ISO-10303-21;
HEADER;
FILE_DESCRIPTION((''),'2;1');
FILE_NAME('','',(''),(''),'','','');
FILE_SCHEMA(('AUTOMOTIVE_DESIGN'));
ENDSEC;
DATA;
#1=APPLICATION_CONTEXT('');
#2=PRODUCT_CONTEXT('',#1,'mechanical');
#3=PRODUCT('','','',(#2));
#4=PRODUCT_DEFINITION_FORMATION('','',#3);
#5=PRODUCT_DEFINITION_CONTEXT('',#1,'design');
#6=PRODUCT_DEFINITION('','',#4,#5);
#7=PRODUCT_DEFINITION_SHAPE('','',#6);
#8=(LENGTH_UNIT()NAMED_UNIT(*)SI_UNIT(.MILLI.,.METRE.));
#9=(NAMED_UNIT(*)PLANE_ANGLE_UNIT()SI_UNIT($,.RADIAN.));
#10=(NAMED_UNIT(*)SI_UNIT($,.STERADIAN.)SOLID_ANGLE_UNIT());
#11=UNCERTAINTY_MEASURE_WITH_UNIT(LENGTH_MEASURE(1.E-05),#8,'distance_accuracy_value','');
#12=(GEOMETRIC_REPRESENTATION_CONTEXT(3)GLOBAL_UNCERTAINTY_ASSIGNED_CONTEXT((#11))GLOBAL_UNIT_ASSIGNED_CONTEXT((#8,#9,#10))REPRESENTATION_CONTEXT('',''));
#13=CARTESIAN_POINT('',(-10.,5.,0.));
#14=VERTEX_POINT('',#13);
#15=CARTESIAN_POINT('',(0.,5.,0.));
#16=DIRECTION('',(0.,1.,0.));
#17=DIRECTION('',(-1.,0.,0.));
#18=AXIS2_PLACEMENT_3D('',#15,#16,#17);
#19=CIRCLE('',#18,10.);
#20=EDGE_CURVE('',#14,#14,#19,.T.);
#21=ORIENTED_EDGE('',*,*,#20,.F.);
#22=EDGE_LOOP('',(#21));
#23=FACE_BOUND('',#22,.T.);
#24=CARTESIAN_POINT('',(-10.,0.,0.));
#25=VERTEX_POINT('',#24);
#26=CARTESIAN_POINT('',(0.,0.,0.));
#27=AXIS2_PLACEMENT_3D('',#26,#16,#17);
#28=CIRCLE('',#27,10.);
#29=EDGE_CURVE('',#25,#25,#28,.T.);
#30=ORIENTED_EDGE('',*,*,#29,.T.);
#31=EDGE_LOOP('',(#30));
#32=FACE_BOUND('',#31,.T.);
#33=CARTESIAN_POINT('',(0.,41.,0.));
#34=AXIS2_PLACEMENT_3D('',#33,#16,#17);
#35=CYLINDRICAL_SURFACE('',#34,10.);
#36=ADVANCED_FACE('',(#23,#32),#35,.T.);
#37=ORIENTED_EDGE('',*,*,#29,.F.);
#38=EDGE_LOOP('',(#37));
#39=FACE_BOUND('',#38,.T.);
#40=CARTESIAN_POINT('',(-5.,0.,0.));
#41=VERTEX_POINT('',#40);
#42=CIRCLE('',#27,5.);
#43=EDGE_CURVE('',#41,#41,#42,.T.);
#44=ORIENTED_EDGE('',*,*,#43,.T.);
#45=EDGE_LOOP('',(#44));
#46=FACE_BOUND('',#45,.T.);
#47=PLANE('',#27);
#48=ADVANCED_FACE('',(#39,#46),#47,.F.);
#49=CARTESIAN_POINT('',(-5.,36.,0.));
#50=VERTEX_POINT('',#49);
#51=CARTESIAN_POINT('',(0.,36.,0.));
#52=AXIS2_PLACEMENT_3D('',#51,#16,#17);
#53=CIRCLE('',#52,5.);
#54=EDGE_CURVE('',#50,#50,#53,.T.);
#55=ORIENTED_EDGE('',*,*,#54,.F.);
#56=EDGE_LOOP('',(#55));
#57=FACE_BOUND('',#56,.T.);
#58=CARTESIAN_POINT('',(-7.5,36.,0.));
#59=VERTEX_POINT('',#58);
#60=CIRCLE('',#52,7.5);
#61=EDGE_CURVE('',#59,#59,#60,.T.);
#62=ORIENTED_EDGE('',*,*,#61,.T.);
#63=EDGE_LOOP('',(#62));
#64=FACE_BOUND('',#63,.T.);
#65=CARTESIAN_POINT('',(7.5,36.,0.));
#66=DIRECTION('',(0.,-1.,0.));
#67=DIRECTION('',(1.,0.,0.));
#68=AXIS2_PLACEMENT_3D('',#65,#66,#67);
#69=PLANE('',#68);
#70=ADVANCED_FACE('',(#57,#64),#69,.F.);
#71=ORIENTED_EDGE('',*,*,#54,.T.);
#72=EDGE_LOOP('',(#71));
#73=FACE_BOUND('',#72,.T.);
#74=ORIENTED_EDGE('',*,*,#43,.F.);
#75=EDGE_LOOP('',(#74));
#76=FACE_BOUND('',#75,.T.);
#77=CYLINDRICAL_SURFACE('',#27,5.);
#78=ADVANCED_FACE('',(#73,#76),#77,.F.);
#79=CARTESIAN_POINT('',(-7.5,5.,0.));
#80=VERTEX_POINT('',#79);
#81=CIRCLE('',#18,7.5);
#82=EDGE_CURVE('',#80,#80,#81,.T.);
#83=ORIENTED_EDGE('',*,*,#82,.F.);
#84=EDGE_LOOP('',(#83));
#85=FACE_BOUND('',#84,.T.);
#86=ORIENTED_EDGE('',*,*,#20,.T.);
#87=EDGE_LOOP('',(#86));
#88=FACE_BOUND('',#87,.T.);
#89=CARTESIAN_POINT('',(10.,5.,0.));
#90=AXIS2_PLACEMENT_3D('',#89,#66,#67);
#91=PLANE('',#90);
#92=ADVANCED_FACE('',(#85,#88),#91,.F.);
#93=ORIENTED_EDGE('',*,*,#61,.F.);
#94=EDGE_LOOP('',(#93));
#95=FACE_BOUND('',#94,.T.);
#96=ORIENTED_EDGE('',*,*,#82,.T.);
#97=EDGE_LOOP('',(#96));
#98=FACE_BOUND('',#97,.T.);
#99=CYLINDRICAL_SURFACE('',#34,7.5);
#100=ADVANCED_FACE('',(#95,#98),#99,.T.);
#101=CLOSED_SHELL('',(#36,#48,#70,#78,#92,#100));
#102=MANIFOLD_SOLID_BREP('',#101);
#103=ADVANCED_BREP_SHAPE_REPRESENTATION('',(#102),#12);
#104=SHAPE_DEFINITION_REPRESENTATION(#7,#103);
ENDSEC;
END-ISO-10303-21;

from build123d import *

# Parameters (mm, degrees)
SKETCH2_R          = 5
CUT_EXTRUDE1_DEPTH = 39.678159212


with BuildPart() as part:
    # Sketch1 → Revolve1 (revolve)
    with BuildSketch(Plane.XY, mode=Mode.PRIVATE) as revolve1_sk:
        Polygon((0, 0), (10, 0), (10, 5), (7.5, 5), (7.5, 36), (0, 36), align=None)
    revolve(revolve1_sk.sketch.rotate(Axis((0, 41, 0), (0, -1, 0)), 180), axis=Axis((0, 41, 0), (0, -1, 0)))

    # Sketch2 → Cut-Extrude1 (cut, through all)
    with BuildSketch(Plane(origin=(0, 36, 0), x_dir=(1, 0, 0), z_dir=(0, 1, 0))):
        with Locations(Location((0, 0, 0), (0, 0, 180))):
            Circle(SKETCH2_R)
    extrude(amount=-CUT_EXTRUDE1_DEPTH, mode=Mode.SUBTRACT)


solid = part.part
